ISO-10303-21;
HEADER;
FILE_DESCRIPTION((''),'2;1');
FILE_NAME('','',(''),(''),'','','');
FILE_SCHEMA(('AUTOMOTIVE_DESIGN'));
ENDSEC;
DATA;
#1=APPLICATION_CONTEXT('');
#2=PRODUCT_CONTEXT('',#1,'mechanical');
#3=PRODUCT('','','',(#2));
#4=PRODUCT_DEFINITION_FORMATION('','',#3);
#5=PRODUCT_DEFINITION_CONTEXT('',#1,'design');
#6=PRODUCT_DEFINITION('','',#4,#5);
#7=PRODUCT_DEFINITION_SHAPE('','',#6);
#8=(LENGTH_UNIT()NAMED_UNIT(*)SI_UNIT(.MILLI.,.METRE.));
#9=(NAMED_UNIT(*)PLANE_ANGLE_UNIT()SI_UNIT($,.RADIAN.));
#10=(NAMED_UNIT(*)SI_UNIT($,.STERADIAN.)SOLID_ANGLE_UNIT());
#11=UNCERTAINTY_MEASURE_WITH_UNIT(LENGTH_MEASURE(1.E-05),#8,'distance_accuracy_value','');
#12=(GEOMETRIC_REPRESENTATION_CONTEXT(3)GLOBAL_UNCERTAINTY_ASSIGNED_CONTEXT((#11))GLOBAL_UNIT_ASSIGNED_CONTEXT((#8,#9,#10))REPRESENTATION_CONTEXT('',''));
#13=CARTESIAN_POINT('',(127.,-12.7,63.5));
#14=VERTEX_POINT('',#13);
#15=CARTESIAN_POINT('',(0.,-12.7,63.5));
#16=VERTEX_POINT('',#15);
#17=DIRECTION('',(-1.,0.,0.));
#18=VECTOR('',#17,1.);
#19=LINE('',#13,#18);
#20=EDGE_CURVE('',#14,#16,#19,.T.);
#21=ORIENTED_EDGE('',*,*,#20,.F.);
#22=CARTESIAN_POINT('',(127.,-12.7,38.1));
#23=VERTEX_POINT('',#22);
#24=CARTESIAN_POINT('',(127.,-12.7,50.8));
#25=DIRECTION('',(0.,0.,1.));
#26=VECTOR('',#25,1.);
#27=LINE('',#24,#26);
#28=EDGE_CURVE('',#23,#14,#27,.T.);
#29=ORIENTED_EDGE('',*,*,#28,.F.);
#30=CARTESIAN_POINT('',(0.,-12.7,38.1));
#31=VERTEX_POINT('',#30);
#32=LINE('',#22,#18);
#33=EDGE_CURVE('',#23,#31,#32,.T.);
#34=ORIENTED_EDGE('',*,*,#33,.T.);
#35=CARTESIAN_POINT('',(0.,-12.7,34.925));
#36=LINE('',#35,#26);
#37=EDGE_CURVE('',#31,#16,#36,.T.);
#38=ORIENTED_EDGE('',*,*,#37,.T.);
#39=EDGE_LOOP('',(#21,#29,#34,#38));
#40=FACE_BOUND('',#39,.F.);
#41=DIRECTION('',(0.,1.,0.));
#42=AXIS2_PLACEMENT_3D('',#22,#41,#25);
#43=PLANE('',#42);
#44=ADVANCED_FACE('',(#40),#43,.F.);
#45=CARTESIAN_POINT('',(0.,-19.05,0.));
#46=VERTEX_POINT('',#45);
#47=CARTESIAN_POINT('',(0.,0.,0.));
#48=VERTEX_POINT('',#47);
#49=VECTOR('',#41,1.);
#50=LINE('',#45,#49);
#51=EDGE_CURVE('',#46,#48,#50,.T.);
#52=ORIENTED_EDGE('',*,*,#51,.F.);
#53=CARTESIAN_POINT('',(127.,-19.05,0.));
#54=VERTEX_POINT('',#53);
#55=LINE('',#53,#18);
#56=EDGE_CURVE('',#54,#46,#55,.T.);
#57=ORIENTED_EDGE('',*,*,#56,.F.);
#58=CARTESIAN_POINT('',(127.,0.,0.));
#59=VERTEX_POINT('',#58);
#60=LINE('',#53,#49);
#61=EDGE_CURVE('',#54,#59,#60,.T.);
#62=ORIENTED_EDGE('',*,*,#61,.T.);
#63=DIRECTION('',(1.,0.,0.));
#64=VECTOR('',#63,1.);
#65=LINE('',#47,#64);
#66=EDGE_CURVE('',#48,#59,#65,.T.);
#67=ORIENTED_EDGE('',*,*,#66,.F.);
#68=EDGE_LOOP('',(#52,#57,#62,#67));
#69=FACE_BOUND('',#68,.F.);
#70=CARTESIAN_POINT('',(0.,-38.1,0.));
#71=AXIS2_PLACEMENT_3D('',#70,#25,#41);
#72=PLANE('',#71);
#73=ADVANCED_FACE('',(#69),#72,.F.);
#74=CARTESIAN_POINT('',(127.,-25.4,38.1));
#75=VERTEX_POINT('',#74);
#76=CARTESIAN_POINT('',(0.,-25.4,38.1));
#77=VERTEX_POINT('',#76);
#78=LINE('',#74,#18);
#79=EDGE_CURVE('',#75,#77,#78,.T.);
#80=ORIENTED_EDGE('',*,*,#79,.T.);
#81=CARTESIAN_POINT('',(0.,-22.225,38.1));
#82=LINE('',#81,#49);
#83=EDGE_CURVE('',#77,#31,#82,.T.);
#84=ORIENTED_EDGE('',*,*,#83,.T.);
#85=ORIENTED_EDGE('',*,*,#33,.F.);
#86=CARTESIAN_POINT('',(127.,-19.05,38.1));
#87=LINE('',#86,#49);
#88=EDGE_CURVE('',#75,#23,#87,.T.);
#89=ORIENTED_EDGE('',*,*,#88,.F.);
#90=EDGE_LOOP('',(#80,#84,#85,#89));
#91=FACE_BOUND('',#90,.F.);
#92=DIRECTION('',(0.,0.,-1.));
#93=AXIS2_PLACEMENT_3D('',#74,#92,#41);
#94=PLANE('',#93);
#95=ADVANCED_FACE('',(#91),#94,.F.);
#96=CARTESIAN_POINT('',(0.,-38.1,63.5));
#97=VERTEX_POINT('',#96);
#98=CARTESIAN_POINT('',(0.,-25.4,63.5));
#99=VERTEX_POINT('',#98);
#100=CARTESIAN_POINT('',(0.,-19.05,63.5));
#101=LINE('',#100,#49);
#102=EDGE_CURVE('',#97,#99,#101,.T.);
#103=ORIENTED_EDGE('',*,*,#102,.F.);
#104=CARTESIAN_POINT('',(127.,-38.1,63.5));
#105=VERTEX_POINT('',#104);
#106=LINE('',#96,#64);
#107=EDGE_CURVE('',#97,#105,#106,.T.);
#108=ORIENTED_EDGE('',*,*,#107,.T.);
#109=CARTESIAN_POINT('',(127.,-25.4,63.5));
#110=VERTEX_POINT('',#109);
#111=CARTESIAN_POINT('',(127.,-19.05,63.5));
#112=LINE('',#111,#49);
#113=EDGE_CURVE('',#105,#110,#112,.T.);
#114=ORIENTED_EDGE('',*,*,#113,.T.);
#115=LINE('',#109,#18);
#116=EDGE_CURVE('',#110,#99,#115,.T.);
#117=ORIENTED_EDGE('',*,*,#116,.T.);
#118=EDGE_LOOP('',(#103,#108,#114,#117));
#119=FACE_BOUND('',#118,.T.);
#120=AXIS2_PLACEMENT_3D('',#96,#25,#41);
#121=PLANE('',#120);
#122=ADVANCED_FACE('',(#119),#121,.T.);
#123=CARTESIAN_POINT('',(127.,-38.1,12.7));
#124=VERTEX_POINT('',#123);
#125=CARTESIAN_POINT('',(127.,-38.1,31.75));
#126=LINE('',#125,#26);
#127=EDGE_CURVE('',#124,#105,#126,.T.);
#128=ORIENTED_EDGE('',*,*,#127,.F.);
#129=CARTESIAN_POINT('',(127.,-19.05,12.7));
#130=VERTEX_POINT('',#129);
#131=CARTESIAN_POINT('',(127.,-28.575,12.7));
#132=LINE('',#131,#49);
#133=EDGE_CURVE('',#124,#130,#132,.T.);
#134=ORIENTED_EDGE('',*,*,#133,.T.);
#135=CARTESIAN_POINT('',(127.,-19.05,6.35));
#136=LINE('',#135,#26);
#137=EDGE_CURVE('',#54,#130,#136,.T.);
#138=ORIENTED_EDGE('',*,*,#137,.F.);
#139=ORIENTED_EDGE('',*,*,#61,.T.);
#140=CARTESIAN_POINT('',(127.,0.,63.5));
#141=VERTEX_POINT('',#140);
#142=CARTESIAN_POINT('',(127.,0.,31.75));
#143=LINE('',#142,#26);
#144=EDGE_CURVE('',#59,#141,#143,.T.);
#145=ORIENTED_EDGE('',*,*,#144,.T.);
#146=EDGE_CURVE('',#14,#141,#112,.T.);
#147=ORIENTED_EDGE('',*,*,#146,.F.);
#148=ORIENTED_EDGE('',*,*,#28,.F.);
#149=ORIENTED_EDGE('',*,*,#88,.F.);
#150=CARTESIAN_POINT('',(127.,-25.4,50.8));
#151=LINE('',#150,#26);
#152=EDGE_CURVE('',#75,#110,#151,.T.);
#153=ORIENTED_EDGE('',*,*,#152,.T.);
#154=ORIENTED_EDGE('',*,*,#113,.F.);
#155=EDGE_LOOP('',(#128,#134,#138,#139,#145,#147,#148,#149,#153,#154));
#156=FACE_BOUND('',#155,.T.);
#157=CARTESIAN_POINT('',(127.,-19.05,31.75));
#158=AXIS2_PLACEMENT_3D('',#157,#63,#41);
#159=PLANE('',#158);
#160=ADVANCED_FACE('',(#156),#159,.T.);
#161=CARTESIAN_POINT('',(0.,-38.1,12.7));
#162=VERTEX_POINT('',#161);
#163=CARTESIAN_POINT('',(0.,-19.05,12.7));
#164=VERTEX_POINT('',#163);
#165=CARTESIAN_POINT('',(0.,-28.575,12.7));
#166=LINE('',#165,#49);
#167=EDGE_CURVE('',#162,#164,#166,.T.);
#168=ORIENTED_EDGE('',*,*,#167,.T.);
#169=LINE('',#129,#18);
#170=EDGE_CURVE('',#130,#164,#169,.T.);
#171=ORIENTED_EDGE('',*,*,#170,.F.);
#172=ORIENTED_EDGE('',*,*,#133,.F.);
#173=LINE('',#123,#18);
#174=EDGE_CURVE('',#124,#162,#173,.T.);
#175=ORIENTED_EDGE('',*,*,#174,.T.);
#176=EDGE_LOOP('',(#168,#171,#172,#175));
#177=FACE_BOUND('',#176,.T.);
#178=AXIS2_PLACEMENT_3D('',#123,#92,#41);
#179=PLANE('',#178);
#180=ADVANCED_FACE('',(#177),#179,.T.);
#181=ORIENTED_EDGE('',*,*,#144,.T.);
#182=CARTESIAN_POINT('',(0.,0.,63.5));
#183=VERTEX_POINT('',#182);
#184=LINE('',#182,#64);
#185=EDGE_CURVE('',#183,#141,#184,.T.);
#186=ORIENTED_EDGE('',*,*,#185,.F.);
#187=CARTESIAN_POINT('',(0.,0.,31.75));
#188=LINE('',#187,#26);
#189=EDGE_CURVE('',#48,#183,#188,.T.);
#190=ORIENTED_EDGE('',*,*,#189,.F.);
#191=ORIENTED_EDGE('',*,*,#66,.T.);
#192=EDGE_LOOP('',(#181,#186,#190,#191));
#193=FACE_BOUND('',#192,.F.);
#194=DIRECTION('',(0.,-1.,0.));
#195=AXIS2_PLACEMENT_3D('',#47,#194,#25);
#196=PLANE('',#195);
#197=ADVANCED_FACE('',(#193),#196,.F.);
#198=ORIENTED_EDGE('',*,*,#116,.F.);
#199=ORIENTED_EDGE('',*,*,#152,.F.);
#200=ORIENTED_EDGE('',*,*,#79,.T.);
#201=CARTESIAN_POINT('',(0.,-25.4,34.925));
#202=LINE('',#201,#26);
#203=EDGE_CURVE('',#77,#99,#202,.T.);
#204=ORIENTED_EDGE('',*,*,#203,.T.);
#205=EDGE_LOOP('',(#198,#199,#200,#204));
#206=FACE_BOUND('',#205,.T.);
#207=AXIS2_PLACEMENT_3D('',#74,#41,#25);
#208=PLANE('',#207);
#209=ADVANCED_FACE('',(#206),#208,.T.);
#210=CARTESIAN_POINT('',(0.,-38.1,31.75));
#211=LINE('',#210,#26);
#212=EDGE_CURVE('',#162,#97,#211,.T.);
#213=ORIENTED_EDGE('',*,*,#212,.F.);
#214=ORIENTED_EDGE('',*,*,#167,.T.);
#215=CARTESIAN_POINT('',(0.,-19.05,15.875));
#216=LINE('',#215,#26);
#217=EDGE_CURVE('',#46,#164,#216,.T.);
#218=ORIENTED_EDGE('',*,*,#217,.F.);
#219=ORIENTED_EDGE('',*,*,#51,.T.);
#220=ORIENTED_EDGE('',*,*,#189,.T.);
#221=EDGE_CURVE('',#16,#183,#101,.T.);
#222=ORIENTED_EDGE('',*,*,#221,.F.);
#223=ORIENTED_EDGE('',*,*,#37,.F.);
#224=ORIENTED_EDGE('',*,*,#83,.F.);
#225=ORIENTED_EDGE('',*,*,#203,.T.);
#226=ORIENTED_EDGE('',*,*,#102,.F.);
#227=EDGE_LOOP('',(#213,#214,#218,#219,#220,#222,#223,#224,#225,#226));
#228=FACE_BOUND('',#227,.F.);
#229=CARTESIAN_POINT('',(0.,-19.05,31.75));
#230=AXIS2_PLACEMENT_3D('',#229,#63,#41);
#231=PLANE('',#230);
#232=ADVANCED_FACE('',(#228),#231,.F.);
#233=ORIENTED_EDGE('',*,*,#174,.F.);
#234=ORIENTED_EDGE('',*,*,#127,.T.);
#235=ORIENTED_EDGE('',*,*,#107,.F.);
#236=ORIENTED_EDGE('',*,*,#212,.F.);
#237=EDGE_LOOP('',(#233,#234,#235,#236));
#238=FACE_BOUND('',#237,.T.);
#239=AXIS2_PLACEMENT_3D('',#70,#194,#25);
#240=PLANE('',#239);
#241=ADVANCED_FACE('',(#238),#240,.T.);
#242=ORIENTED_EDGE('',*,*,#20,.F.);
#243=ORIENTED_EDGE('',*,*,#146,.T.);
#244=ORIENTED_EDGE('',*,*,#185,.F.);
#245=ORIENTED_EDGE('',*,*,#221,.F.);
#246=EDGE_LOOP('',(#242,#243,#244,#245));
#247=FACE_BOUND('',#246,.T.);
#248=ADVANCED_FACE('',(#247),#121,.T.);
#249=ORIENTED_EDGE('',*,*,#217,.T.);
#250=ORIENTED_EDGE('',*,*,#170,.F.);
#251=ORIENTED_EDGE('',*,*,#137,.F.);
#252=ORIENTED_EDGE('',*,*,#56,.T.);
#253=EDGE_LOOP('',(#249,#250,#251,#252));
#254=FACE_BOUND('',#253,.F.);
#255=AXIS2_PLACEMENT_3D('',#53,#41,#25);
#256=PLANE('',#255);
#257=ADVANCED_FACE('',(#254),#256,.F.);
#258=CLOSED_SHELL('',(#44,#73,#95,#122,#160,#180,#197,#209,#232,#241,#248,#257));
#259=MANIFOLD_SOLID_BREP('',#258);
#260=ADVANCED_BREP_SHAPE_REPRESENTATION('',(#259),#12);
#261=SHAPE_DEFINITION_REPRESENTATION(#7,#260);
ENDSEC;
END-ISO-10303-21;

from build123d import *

# Parameters (mm, degrees)
F0_W     = 38.1
F0_H     = 63.5
F1_DEPTH = 127
F2_W     = 19.05
F2_H     = 12.7
F3_DEPTH = 127.001
F4_W     = 12.7
F4_H     = 25.4
F5_DEPTH = 127.001


with BuildPart() as f1:
    # F0 (on Right) → F1 (new body)
    with BuildSketch(Plane.YZ):
        with Locations((-19.05, 31.75)):
            Rectangle(F0_W, F0_H)
    extrude(amount=F1_DEPTH)

    # F2 (on face) → F3 (cut, through all)
    with BuildSketch(Plane.YZ.offset(127)):
        with Locations((-28.575, 6.35)):
            Rectangle(F2_W, F2_H)
    extrude(amount=-F3_DEPTH, mode=Mode.SUBTRACT)

    # F4 (on face) → F5 (cut, through all)
    with BuildSketch(Plane.YZ.offset(127)):
        with Locations((-19.05, 50.8)):
            Rectangle(F4_W, F4_H)
    extrude(amount=-F5_DEPTH, mode=Mode.SUBTRACT)


solid = f1.part
